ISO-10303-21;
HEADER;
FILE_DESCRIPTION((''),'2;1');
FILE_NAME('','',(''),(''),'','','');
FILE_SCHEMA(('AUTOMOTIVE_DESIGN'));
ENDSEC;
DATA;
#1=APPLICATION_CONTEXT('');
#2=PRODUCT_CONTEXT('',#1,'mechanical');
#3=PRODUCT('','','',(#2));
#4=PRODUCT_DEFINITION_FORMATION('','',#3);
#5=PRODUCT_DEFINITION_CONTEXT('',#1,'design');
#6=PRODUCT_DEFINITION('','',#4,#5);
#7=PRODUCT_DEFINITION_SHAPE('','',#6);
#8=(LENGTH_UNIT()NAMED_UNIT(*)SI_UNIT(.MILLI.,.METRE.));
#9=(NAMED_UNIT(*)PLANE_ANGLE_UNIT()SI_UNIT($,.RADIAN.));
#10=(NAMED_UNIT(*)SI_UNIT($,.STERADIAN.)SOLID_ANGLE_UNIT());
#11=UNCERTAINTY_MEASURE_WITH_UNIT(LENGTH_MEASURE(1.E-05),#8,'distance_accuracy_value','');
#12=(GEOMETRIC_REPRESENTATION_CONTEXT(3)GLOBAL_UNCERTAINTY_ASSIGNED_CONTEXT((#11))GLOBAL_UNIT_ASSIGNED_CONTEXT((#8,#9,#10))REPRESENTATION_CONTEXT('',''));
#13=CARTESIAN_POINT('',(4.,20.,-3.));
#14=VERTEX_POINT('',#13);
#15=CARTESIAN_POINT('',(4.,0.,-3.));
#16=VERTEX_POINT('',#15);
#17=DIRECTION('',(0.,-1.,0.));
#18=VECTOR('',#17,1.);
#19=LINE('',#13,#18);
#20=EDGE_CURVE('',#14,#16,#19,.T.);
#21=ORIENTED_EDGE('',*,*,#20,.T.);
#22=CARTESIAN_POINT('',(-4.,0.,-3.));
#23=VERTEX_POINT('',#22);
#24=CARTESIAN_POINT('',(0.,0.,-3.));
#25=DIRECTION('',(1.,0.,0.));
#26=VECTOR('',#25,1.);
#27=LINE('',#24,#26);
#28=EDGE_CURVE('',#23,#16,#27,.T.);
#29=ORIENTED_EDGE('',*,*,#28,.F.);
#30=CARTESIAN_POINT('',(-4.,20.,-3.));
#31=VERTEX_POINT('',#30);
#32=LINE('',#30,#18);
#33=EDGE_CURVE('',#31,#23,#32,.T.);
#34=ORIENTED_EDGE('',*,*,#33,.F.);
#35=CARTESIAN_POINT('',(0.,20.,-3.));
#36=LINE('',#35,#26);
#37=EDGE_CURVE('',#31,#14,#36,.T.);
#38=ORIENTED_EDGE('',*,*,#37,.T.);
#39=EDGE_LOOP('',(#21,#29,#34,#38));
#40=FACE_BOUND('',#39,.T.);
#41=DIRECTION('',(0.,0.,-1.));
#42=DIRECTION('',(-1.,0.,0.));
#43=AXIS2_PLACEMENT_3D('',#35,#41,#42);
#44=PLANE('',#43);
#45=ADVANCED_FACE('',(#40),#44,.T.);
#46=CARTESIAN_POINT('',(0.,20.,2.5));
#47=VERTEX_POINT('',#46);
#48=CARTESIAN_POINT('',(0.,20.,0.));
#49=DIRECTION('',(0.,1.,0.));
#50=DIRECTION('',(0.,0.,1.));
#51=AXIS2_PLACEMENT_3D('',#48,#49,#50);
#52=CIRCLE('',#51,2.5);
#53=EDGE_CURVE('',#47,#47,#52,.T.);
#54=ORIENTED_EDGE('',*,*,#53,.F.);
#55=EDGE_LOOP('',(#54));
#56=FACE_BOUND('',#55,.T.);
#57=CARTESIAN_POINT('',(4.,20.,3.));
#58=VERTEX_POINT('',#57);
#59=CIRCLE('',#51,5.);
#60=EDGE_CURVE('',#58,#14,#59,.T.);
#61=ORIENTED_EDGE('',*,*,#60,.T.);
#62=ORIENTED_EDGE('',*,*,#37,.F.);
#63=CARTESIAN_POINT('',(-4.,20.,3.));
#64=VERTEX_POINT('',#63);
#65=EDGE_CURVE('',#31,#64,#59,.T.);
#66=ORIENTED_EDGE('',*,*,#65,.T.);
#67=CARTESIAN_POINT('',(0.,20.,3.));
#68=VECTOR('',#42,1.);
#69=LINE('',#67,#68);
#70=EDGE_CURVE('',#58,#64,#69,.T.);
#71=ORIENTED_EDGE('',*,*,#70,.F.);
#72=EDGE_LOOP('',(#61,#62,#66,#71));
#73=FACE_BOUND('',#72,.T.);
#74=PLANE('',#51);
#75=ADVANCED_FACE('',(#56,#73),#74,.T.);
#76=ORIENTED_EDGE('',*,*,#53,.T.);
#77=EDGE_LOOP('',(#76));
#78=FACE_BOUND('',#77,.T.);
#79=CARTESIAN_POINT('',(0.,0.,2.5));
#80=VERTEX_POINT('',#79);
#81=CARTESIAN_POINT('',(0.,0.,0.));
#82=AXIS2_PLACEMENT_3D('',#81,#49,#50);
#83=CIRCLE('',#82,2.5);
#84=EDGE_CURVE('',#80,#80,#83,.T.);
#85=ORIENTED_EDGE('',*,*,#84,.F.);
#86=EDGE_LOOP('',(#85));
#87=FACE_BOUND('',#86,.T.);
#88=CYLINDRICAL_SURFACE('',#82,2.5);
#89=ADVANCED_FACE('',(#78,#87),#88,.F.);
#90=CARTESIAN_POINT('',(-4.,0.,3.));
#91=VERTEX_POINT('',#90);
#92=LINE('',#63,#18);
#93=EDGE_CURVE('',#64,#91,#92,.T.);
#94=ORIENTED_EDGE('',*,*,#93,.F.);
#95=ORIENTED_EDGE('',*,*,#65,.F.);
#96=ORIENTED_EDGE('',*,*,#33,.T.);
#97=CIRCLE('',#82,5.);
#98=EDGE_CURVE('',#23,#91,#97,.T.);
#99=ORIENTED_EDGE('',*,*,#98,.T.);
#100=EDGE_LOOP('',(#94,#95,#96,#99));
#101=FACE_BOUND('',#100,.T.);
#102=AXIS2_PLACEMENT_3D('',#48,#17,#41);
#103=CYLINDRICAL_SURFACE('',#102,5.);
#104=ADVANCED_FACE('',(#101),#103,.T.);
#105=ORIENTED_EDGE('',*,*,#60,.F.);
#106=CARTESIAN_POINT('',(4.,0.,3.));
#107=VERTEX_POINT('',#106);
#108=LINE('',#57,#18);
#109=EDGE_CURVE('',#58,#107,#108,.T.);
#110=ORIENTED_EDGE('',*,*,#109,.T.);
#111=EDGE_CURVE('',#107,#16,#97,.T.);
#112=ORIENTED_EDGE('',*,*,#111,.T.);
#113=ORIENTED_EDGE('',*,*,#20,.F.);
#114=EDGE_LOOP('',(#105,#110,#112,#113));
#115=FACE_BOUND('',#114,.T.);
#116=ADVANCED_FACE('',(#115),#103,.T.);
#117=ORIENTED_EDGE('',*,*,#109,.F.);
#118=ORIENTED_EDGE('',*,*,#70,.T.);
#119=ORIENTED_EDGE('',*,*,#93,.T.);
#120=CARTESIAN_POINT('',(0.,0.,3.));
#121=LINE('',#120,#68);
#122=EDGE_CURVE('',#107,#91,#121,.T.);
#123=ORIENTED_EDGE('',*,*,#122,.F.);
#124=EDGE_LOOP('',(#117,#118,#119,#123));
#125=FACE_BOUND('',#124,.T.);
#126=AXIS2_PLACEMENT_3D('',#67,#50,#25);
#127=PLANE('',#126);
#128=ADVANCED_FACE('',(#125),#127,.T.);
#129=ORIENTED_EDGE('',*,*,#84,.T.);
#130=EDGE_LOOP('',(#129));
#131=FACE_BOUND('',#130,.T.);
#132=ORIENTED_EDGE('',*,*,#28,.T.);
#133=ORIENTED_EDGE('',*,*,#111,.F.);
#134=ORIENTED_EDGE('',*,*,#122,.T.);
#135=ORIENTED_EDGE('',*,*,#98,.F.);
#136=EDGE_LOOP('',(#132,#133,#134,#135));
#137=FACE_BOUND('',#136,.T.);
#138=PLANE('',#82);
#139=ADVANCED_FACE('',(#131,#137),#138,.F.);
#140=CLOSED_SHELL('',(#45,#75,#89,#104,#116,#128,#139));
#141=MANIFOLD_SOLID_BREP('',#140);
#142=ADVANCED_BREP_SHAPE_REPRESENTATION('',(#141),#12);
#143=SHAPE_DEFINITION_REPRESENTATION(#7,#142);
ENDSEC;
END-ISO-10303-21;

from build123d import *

# Parameters (mm, degrees)
SCHIZZO1_W                   = 8
SCHIZZO1_H                   = 6
ESTRUSIONE_ESTRUSIONE1_DEPTH = 20
SCHIZZO2_R                   = 2.5
TAGLIO_ESTRUSIONE1_DEPTH     = 20


with BuildPart() as part:
    # Schizzo1 → Estrusione-Estrusione1 (new body)
    with BuildSketch(Plane(origin=(0, 0, 0), x_dir=(1, 0, 0), z_dir=(0, 1, 0))):
        with BuildLine():
            Line((-4, -3), (-4, 3))
            ThreePointArc((-4, 3), (-5, 0), (-4, -3))
        make_face()
        Rectangle(SCHIZZO1_W, SCHIZZO1_H)
        with BuildLine():
            ThreePointArc((5, 0), (4.74341649, 1.58113883), (4, 3))
            Line((4, 3), (4, -3))
            ThreePointArc((4, -3), (4.74341649, -1.58113883), (5, 0))
        make_face()
    extrude(amount=ESTRUSIONE_ESTRUSIONE1_DEPTH)

    # Schizzo2 → Taglio-Estrusione1 (cut)
    with BuildSketch(Plane(origin=(0, 20, 0), x_dir=(1, 0, 0), z_dir=(0, 1, 0))):
        with Locations(Location((0, 0, 0), (0, 0, 270))):
            Circle(SCHIZZO2_R)
    extrude(amount=-TAGLIO_ESTRUSIONE1_DEPTH, mode=Mode.SUBTRACT)


solid = part.part
